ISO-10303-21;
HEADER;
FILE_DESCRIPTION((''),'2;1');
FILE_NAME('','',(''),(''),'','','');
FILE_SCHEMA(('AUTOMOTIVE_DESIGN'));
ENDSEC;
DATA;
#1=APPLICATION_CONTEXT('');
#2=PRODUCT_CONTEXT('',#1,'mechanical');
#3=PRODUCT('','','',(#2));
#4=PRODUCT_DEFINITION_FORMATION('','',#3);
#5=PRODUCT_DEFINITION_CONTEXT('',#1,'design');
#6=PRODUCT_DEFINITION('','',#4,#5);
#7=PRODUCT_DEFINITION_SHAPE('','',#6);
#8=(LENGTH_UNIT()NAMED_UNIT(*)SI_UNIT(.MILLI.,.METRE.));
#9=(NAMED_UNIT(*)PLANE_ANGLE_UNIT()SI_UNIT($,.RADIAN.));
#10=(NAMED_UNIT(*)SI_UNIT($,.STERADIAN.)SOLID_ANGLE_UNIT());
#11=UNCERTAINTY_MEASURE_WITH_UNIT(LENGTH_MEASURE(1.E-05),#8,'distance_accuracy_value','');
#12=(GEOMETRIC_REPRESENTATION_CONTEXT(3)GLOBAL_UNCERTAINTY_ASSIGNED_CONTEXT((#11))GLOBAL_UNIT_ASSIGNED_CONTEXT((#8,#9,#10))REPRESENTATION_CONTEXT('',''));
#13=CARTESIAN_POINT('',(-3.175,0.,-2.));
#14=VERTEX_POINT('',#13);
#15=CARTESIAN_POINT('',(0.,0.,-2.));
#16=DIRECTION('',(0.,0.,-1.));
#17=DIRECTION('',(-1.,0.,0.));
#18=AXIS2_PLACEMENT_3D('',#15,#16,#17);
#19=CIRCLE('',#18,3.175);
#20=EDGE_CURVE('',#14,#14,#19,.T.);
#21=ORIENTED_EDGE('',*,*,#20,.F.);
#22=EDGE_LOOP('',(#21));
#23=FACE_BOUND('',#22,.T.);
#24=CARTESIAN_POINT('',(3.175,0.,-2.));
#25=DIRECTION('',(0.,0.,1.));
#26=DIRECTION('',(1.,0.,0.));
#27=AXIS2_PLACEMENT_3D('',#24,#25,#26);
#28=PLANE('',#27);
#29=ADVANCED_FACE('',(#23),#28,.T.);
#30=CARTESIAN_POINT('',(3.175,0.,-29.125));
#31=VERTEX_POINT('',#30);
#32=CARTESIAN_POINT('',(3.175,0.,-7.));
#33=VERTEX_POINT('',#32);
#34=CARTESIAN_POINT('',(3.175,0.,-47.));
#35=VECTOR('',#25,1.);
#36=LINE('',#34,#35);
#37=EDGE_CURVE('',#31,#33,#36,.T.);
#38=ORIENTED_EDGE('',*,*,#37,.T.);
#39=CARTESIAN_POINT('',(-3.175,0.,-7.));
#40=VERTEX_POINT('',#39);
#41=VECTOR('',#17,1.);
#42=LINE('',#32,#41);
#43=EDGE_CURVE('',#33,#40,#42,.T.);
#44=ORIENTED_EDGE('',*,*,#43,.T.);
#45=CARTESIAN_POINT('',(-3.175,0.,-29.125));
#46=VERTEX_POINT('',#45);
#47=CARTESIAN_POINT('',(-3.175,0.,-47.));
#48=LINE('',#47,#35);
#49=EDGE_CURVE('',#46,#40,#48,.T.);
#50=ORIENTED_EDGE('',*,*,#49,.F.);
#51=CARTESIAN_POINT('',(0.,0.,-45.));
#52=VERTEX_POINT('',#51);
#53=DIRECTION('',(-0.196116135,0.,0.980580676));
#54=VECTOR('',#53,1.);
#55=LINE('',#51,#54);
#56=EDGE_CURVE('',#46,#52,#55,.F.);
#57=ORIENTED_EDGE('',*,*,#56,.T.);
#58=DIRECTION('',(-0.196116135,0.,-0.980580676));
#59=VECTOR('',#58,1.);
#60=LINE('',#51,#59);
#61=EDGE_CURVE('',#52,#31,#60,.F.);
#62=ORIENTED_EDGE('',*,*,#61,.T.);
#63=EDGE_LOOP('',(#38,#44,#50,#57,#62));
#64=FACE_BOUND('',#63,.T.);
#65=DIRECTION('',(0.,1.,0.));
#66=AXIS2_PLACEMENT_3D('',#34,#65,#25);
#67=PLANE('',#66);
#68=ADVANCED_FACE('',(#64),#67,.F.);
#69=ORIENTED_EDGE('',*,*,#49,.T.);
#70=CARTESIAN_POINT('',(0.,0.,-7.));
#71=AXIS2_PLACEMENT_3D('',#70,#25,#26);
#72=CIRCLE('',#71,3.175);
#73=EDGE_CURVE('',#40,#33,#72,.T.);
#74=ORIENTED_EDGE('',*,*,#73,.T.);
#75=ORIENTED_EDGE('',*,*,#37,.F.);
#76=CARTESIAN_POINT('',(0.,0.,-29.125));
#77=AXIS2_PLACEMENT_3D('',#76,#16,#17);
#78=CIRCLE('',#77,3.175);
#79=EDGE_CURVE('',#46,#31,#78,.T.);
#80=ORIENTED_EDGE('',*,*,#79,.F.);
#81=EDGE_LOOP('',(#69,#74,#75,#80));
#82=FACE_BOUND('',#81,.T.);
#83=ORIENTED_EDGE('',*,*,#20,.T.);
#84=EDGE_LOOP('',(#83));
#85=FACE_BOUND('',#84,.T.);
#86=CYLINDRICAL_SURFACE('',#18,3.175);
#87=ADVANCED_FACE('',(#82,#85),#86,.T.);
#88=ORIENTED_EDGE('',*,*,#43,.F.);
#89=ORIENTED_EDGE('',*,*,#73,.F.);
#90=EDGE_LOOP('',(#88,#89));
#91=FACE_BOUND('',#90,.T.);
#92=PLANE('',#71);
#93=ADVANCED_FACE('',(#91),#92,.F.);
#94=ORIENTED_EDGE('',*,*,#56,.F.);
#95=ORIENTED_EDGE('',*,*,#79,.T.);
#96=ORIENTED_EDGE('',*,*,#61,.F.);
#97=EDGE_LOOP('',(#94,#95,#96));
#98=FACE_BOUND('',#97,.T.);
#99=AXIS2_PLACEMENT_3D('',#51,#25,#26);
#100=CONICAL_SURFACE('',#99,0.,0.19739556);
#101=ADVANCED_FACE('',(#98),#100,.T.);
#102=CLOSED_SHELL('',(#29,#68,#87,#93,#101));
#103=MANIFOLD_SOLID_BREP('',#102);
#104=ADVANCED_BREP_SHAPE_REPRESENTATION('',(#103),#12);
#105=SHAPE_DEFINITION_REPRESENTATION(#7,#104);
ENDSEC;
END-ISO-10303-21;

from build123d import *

# Parameters (mm, degrees)
CUT_EXTRUDE2_DEPTH = 40


with BuildPart() as part:
    # Sketch1 → Revolve1 (revolve)
    with BuildSketch(Plane.XZ, mode=Mode.PRIVATE) as revolve1_sk:
        Polygon((3.175, -2), (0, -2), (0, -45), (3.175, -29.125), align=None)
    revolve(revolve1_sk.sketch.rotate(Axis((0, 0, -2), (0, 0, -1)), 180), axis=Axis((0, 0, -2), (0, 0, -1)))

    # Sketch2 → Cut-Extrude2 (cut)
    with BuildSketch(Plane.XY.offset(-7)):
        with BuildLine():
            Line((3.175, 0), (-3.175, 0))
            ThreePointArc((-3.175, 0), (0, -3.175), (3.175, 0))
        make_face()
    extrude(amount=-CUT_EXTRUDE2_DEPTH, mode=Mode.SUBTRACT)


solid = part.part
